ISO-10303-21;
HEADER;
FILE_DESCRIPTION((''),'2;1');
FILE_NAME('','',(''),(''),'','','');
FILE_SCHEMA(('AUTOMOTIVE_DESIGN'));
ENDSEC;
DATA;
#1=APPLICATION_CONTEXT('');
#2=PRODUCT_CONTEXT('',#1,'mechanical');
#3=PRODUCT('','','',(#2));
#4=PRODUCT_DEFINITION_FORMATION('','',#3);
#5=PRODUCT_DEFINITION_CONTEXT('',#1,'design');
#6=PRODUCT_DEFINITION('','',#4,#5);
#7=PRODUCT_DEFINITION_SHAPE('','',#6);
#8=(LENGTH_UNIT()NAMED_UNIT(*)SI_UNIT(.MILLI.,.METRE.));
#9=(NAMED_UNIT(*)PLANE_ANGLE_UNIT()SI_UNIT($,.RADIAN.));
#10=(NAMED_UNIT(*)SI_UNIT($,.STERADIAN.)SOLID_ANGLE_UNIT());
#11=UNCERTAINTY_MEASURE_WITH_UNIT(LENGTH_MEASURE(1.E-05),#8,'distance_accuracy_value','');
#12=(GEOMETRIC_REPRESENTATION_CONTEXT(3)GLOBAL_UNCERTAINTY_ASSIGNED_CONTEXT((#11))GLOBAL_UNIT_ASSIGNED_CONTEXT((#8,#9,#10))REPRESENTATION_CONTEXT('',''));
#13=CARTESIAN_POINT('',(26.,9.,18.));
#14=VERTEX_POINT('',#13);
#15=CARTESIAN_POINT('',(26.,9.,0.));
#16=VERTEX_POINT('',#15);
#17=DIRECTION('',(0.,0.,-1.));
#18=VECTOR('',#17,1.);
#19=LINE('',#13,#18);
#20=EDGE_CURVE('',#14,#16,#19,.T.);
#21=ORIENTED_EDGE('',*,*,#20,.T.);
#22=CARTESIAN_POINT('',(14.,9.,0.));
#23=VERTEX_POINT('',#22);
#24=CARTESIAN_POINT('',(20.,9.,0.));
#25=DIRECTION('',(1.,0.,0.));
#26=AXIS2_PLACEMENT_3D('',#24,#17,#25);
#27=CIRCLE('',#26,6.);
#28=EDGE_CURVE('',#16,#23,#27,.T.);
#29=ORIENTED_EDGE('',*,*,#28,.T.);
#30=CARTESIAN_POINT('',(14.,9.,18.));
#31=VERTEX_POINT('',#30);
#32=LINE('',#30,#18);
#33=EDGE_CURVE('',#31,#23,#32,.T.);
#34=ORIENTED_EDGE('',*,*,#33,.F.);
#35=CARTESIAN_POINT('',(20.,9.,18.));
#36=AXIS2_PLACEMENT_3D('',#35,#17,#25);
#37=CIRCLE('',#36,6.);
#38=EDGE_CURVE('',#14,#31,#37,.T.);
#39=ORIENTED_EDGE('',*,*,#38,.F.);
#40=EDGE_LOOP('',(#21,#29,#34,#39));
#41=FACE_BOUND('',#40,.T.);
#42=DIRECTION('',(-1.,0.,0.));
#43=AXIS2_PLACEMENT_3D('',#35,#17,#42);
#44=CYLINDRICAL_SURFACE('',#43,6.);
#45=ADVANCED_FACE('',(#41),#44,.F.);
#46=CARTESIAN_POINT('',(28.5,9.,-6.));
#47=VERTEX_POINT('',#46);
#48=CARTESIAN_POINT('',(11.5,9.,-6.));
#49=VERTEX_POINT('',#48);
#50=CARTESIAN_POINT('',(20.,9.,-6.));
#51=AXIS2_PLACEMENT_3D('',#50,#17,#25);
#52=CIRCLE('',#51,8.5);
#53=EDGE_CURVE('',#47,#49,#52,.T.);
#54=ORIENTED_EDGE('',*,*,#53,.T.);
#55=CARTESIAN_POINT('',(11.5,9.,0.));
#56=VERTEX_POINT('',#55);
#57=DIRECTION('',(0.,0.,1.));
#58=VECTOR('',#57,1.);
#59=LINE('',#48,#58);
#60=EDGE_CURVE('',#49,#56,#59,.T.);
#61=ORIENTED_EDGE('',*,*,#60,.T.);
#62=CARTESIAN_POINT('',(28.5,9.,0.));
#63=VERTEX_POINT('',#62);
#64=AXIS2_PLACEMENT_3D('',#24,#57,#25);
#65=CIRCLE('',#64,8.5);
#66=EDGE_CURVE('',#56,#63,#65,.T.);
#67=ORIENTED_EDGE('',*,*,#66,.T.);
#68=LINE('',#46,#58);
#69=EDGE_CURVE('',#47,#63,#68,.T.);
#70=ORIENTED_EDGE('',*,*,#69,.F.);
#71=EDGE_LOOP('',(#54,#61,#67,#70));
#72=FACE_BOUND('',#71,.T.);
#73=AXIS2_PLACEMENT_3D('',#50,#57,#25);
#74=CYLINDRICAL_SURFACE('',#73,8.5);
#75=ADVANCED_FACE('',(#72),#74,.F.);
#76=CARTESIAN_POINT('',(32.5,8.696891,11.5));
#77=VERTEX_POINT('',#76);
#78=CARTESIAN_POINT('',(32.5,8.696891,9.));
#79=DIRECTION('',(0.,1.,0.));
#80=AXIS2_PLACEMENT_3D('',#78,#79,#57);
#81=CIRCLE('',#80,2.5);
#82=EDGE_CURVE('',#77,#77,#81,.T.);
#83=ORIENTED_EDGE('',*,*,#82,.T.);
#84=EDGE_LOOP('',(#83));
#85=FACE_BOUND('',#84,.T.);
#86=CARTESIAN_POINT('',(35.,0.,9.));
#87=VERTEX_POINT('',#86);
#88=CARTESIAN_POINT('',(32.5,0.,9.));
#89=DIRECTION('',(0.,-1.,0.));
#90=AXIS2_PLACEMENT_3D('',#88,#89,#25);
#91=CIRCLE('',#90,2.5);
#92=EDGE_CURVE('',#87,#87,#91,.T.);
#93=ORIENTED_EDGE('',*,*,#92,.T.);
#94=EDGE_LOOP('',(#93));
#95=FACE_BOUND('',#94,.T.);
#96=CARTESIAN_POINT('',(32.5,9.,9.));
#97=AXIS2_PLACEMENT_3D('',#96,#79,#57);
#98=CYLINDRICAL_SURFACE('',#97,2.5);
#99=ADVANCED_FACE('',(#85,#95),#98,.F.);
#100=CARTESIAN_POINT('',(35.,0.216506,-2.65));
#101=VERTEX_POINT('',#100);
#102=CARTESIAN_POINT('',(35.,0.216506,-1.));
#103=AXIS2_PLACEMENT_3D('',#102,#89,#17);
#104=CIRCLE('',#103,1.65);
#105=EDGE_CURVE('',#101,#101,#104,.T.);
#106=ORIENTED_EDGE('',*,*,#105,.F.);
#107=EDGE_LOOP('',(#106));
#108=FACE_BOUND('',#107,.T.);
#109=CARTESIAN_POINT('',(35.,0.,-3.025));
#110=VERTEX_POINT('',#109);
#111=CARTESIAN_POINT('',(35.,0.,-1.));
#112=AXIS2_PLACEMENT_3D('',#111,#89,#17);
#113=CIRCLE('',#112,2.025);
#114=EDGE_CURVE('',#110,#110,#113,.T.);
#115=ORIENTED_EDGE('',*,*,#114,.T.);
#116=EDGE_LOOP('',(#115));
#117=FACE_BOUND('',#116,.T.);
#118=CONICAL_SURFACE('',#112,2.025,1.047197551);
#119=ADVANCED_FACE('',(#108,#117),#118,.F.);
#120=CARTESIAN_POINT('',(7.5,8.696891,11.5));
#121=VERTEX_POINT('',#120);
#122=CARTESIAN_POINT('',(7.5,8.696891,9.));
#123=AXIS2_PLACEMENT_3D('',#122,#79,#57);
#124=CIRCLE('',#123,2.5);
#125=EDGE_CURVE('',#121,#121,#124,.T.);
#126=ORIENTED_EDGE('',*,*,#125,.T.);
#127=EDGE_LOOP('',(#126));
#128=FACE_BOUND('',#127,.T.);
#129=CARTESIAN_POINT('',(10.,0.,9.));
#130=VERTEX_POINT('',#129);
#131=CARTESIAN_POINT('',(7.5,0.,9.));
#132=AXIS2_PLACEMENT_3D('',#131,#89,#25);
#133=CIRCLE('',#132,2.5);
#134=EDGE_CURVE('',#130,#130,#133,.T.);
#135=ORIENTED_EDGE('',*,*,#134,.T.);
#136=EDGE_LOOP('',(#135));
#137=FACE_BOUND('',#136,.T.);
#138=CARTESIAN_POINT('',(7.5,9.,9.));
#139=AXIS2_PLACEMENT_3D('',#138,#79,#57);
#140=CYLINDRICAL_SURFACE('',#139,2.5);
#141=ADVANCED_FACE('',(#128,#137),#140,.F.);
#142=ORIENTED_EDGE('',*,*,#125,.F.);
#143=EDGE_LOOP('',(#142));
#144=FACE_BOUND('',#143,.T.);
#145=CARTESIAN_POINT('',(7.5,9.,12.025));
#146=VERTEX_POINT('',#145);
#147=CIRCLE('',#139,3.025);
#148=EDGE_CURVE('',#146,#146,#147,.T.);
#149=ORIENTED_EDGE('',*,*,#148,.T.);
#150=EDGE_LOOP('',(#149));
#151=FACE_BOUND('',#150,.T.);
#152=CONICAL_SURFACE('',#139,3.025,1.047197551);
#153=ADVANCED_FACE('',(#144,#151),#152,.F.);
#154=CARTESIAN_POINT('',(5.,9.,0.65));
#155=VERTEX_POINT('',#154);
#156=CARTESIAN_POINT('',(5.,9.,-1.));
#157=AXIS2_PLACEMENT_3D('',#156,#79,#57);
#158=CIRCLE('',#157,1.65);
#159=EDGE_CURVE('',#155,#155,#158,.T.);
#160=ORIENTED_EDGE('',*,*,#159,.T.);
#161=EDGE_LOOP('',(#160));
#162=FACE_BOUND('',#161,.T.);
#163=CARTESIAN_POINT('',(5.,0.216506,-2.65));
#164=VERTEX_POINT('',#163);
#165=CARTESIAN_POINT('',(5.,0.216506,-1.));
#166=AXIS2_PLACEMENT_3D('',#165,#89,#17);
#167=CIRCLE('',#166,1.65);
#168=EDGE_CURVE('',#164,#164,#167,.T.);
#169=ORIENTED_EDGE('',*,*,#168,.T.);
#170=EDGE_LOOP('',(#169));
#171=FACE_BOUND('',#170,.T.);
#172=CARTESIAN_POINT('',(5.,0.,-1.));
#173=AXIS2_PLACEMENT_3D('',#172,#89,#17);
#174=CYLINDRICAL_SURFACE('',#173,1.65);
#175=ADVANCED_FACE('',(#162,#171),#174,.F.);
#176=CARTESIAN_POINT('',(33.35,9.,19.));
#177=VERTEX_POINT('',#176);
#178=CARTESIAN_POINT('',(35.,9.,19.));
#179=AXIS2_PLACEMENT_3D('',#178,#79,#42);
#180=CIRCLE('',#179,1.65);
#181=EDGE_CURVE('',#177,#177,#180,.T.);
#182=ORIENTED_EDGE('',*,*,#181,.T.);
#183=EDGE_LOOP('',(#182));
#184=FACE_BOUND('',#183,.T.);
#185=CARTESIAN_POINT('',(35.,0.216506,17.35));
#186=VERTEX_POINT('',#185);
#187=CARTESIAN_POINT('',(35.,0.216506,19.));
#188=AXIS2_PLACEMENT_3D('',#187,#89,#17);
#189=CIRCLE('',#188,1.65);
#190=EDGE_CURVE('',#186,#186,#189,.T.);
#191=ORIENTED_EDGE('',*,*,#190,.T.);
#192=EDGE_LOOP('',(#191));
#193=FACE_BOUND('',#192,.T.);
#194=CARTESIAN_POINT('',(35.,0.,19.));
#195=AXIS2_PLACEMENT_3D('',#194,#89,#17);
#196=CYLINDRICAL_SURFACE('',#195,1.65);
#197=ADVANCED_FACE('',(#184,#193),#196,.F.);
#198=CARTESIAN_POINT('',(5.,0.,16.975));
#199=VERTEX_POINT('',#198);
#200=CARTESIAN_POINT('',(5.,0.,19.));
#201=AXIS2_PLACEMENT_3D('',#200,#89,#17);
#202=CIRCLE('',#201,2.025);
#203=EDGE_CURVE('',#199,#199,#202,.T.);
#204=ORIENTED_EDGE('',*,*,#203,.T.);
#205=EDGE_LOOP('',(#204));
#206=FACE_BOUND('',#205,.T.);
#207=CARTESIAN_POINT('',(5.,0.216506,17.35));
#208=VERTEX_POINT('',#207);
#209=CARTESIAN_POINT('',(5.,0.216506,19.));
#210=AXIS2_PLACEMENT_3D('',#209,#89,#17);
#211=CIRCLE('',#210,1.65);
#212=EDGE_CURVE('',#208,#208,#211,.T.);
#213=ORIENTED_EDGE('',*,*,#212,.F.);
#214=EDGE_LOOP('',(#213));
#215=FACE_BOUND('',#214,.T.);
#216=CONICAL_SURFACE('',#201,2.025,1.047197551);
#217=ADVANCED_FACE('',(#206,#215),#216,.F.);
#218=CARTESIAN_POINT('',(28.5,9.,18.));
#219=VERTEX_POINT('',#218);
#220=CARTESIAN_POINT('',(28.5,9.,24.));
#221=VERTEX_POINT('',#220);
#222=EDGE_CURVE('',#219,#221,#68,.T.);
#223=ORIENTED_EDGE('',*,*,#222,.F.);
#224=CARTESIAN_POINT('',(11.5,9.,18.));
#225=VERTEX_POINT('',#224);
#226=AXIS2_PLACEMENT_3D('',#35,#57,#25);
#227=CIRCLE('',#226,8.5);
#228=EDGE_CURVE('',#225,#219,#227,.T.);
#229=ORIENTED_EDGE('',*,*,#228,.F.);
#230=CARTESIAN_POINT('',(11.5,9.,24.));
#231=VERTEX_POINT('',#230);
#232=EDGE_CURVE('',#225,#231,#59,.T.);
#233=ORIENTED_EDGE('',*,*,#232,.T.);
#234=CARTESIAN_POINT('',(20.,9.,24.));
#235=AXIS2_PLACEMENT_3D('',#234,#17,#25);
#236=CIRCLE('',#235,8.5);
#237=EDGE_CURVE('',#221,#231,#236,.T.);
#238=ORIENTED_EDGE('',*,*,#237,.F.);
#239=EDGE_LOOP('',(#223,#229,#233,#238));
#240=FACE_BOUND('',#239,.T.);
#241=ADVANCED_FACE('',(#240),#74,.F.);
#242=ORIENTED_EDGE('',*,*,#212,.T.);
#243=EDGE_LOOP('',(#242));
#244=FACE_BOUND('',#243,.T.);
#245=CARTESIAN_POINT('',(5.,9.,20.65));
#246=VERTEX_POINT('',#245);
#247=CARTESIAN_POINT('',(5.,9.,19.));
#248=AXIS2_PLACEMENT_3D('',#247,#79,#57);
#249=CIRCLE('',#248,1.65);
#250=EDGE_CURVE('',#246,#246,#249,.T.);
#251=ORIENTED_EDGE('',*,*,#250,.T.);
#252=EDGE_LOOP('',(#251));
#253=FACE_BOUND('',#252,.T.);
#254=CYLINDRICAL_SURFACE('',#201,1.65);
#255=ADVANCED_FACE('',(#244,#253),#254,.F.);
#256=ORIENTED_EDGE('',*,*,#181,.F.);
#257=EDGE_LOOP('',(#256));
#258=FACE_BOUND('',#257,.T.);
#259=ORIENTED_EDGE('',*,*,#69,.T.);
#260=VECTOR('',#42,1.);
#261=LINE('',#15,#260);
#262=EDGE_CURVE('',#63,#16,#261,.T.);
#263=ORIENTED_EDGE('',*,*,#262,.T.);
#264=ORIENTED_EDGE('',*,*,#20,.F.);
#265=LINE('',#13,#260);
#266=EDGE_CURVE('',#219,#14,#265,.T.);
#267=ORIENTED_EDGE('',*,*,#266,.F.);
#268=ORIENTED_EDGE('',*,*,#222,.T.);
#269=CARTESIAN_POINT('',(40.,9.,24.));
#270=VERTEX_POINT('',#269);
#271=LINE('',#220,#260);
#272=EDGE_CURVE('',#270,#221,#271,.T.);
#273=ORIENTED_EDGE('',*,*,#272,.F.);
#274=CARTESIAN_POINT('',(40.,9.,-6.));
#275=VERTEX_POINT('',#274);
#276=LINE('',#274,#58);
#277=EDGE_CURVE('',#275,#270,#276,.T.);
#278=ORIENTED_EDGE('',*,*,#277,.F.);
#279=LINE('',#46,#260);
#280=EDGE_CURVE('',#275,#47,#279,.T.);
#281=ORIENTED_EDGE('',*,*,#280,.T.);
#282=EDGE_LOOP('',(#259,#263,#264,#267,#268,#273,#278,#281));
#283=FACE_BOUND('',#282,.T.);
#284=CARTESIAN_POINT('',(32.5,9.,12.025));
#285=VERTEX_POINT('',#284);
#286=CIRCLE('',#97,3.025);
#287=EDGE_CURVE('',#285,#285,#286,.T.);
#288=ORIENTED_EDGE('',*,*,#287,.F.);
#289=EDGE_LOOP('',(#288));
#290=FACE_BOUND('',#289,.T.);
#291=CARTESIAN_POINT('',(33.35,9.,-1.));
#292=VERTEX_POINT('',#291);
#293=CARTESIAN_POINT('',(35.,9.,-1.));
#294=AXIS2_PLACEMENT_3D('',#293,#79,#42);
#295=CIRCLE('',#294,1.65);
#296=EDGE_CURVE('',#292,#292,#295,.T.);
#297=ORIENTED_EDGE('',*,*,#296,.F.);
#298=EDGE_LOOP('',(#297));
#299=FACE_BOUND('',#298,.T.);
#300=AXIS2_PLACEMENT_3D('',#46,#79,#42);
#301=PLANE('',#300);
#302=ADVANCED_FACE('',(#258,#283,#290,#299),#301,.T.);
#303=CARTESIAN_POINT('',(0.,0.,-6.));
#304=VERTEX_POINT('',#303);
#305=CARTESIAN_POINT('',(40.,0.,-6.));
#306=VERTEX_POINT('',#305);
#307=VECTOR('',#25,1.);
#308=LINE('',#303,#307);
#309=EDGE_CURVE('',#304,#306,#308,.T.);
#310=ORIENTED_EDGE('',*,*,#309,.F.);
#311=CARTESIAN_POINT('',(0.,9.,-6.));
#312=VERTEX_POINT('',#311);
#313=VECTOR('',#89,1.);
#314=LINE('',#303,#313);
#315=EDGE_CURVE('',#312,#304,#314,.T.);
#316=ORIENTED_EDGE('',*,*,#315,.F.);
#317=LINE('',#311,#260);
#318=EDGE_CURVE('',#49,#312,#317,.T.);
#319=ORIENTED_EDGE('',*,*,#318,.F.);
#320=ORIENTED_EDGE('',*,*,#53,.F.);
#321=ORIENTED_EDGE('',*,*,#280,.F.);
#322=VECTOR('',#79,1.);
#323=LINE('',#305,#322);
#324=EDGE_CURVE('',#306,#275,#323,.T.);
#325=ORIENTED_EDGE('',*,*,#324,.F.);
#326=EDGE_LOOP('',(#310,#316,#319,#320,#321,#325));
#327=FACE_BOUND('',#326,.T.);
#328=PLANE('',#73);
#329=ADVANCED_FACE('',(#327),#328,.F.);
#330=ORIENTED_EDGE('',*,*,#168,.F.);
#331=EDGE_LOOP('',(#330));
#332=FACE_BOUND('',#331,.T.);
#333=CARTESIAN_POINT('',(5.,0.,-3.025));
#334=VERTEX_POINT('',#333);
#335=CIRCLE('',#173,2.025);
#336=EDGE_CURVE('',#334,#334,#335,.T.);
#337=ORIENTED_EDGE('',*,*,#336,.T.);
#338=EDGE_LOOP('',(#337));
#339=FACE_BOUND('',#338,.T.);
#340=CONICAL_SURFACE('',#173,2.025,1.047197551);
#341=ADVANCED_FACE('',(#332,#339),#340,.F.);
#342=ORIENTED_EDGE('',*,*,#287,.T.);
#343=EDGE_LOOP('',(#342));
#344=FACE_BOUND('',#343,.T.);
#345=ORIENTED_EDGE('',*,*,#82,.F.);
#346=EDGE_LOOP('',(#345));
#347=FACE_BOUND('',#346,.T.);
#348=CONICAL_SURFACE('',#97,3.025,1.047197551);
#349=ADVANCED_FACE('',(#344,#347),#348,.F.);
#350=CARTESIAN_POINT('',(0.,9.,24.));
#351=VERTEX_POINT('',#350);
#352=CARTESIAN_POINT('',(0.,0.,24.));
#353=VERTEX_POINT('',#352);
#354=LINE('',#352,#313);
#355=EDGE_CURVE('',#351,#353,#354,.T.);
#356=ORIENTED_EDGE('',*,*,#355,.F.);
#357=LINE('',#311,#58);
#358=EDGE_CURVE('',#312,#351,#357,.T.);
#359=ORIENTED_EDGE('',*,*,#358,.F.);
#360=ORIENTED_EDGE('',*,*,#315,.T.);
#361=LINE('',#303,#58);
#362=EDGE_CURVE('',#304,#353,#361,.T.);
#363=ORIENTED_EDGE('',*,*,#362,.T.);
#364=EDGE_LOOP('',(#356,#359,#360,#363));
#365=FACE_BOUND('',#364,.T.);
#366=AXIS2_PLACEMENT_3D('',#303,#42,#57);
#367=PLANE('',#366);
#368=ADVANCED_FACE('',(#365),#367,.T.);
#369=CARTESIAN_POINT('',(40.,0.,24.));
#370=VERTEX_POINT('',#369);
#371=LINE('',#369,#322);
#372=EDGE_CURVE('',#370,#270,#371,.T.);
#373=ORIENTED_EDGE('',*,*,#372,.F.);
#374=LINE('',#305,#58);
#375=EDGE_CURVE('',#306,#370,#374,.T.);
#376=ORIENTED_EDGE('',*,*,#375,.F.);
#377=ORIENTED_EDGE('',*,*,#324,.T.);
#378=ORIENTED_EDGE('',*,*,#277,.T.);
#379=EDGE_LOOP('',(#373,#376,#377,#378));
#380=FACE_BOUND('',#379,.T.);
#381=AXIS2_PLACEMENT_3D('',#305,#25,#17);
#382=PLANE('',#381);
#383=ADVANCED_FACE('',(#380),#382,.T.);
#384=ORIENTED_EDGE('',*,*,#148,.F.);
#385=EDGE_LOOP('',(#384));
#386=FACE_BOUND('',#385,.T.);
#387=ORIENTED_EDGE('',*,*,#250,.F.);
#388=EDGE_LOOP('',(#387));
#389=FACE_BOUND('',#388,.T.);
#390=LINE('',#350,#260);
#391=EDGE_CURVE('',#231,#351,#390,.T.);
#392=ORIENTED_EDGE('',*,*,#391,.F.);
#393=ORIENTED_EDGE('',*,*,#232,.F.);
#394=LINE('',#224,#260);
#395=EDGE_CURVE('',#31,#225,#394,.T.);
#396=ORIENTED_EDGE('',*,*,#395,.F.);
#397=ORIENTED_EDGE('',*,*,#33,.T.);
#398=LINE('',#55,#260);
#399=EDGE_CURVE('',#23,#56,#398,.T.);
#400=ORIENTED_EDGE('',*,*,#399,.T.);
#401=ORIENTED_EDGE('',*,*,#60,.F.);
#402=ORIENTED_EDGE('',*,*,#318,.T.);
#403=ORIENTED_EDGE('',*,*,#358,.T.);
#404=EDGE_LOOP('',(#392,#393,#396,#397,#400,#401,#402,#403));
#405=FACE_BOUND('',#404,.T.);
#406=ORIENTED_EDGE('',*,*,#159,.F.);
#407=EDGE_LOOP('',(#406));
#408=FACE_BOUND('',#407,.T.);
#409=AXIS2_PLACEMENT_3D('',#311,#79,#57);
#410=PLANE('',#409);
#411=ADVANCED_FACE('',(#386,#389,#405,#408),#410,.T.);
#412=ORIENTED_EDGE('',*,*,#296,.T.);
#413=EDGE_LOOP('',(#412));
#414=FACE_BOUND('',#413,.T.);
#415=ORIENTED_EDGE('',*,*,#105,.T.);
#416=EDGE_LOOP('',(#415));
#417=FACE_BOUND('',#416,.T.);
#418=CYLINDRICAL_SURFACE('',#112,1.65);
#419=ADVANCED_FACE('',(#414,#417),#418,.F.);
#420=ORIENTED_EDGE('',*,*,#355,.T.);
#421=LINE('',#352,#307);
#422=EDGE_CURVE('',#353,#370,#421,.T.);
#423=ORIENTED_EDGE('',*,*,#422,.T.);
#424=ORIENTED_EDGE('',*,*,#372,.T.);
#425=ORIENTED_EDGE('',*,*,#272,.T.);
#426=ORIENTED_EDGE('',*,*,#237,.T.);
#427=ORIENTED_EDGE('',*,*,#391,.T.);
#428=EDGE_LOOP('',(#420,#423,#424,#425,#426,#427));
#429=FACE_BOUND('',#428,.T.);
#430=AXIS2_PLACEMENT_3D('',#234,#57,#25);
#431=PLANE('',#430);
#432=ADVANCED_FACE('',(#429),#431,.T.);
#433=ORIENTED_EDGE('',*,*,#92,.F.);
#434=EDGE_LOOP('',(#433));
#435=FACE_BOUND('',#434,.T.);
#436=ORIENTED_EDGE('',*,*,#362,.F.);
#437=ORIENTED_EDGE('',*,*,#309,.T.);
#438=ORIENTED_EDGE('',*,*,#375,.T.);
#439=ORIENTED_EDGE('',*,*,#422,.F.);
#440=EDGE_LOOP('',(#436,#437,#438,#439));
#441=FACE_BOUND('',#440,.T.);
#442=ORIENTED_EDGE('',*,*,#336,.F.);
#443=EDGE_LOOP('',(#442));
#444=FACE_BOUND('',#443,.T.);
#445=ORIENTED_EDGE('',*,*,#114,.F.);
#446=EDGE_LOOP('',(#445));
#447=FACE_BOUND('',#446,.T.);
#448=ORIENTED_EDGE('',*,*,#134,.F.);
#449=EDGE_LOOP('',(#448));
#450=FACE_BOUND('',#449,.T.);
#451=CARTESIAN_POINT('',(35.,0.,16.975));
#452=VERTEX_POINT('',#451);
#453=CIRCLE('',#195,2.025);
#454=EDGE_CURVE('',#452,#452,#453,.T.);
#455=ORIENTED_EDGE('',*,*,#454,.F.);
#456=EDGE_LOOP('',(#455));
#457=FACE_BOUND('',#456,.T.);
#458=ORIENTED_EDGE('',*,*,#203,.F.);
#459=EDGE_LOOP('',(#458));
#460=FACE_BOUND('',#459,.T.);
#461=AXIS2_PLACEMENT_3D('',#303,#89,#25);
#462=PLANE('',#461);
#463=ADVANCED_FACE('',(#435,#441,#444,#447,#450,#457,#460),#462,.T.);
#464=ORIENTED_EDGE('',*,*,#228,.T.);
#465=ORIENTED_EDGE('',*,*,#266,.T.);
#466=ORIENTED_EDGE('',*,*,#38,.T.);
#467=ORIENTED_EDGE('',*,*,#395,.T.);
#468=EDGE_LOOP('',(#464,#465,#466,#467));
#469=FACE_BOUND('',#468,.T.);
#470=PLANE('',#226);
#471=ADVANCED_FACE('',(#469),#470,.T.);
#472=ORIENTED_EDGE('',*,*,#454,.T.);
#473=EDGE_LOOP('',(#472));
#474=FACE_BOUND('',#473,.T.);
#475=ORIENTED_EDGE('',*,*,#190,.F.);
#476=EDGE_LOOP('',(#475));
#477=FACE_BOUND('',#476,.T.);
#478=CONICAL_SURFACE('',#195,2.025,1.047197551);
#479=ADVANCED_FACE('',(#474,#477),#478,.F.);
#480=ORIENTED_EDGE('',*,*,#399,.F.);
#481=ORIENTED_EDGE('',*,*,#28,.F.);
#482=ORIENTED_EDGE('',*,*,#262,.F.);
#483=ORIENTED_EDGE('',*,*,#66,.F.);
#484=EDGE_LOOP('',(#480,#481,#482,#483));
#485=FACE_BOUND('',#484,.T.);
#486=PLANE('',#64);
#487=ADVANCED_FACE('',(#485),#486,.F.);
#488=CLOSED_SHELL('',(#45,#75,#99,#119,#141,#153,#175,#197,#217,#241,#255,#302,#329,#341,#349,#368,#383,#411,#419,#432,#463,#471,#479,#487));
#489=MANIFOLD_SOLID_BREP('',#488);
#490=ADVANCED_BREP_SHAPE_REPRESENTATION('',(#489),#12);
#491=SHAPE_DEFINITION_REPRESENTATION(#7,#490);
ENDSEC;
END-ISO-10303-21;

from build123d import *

# Parameters (mm, degrees)
EXTRUDE_1_DEPTH             = 24
EXTRUDE_1_DEPTH_BACK        = 6
EXTRUDE_2_DEPTH             = 18
HOLE_WIZARD_M41_D           = 3.3
HOLE_WIZARD_M41_DEPTH       = 11.5
HOLE_WIZARD_M41_CSINK_D     = 4.05
HOLE_WIZARD_M41_CSINK_ANGLE = 120
HOLE_WIZARD_M41_TIP         = 0.991420021
HOLE_WIZARD_M61_D           = 5
HOLE_WIZARD_M61_DEPTH       = 17
HOLE_WIZARD_M61_CSINK_D     = 6.05
HOLE_WIZARD_M61_CSINK_ANGLE = 120
HOLE_WIZARD_M61_TIP         = 1.502151548


with BuildPart() as part:
    # Эскиз1 → Бобышка-Вытянуть1 (new, two sides: drawn at the far end of the back side and taken through both)
    with BuildSketch(Plane.XY.offset(-EXTRUDE_1_DEPTH_BACK)):
        with BuildLine():
            Line((28.5, 9), (40, 9))
            Line((40, 9), (40, 0))
            Line((40, 0), (0, 0))
            Line((0, 0), (0, 9))
            Line((0, 9), (11.5, 9))
            ThreePointArc((11.5, 9), (20, 0.5), (28.5, 9))
        make_face()
    extrude(amount=EXTRUDE_1_DEPTH + EXTRUDE_1_DEPTH_BACK)

    # Эскиз3 → Бобышка-Вытянуть2 (add)
    with BuildSketch(Plane.XY):
        with BuildLine():
            Line((11.5, 9), (14, 9))
            ThreePointArc((14, 9), (20, 3), (26, 9))
            Line((26, 9), (28.5, 9))
            ThreePointArc((28.5, 9), (20, 0.5), (11.5, 9))
        make_face()
    extrude(amount=EXTRUDE_2_DEPTH)

    # Отверстие обработанное метчиком M41
    with Locations(Plane.XZ):
        with Locations((35, 19), (35, -1), (5, 19), (5, -1)):
            CounterSinkHole(HOLE_WIZARD_M41_D / 2, HOLE_WIZARD_M41_CSINK_D / 2, depth=HOLE_WIZARD_M41_DEPTH, counter_sink_angle=HOLE_WIZARD_M41_CSINK_ANGLE)
            with Locations((0, 0, -(HOLE_WIZARD_M41_DEPTH + HOLE_WIZARD_M41_TIP / 2))):  # 118° drill point
                Cone(0, HOLE_WIZARD_M41_D / 2, HOLE_WIZARD_M41_TIP, mode=Mode.SUBTRACT)

    # Отверстие обработанное метчиком M61
    with Locations(Plane(origin=(0, 9, 0), x_dir=(-1, 0, 0), z_dir=(0, 1, 0))):
        with Locations((-32.5, 9), (-7.5, 9)):
            CounterSinkHole(HOLE_WIZARD_M61_D / 2, HOLE_WIZARD_M61_CSINK_D / 2, depth=HOLE_WIZARD_M61_DEPTH, counter_sink_angle=HOLE_WIZARD_M61_CSINK_ANGLE)
            with Locations((0, 0, -(HOLE_WIZARD_M61_DEPTH + HOLE_WIZARD_M61_TIP / 2))):  # 118° drill point
                Cone(0, HOLE_WIZARD_M61_D / 2, HOLE_WIZARD_M61_TIP, mode=Mode.SUBTRACT)


solid = part.part
